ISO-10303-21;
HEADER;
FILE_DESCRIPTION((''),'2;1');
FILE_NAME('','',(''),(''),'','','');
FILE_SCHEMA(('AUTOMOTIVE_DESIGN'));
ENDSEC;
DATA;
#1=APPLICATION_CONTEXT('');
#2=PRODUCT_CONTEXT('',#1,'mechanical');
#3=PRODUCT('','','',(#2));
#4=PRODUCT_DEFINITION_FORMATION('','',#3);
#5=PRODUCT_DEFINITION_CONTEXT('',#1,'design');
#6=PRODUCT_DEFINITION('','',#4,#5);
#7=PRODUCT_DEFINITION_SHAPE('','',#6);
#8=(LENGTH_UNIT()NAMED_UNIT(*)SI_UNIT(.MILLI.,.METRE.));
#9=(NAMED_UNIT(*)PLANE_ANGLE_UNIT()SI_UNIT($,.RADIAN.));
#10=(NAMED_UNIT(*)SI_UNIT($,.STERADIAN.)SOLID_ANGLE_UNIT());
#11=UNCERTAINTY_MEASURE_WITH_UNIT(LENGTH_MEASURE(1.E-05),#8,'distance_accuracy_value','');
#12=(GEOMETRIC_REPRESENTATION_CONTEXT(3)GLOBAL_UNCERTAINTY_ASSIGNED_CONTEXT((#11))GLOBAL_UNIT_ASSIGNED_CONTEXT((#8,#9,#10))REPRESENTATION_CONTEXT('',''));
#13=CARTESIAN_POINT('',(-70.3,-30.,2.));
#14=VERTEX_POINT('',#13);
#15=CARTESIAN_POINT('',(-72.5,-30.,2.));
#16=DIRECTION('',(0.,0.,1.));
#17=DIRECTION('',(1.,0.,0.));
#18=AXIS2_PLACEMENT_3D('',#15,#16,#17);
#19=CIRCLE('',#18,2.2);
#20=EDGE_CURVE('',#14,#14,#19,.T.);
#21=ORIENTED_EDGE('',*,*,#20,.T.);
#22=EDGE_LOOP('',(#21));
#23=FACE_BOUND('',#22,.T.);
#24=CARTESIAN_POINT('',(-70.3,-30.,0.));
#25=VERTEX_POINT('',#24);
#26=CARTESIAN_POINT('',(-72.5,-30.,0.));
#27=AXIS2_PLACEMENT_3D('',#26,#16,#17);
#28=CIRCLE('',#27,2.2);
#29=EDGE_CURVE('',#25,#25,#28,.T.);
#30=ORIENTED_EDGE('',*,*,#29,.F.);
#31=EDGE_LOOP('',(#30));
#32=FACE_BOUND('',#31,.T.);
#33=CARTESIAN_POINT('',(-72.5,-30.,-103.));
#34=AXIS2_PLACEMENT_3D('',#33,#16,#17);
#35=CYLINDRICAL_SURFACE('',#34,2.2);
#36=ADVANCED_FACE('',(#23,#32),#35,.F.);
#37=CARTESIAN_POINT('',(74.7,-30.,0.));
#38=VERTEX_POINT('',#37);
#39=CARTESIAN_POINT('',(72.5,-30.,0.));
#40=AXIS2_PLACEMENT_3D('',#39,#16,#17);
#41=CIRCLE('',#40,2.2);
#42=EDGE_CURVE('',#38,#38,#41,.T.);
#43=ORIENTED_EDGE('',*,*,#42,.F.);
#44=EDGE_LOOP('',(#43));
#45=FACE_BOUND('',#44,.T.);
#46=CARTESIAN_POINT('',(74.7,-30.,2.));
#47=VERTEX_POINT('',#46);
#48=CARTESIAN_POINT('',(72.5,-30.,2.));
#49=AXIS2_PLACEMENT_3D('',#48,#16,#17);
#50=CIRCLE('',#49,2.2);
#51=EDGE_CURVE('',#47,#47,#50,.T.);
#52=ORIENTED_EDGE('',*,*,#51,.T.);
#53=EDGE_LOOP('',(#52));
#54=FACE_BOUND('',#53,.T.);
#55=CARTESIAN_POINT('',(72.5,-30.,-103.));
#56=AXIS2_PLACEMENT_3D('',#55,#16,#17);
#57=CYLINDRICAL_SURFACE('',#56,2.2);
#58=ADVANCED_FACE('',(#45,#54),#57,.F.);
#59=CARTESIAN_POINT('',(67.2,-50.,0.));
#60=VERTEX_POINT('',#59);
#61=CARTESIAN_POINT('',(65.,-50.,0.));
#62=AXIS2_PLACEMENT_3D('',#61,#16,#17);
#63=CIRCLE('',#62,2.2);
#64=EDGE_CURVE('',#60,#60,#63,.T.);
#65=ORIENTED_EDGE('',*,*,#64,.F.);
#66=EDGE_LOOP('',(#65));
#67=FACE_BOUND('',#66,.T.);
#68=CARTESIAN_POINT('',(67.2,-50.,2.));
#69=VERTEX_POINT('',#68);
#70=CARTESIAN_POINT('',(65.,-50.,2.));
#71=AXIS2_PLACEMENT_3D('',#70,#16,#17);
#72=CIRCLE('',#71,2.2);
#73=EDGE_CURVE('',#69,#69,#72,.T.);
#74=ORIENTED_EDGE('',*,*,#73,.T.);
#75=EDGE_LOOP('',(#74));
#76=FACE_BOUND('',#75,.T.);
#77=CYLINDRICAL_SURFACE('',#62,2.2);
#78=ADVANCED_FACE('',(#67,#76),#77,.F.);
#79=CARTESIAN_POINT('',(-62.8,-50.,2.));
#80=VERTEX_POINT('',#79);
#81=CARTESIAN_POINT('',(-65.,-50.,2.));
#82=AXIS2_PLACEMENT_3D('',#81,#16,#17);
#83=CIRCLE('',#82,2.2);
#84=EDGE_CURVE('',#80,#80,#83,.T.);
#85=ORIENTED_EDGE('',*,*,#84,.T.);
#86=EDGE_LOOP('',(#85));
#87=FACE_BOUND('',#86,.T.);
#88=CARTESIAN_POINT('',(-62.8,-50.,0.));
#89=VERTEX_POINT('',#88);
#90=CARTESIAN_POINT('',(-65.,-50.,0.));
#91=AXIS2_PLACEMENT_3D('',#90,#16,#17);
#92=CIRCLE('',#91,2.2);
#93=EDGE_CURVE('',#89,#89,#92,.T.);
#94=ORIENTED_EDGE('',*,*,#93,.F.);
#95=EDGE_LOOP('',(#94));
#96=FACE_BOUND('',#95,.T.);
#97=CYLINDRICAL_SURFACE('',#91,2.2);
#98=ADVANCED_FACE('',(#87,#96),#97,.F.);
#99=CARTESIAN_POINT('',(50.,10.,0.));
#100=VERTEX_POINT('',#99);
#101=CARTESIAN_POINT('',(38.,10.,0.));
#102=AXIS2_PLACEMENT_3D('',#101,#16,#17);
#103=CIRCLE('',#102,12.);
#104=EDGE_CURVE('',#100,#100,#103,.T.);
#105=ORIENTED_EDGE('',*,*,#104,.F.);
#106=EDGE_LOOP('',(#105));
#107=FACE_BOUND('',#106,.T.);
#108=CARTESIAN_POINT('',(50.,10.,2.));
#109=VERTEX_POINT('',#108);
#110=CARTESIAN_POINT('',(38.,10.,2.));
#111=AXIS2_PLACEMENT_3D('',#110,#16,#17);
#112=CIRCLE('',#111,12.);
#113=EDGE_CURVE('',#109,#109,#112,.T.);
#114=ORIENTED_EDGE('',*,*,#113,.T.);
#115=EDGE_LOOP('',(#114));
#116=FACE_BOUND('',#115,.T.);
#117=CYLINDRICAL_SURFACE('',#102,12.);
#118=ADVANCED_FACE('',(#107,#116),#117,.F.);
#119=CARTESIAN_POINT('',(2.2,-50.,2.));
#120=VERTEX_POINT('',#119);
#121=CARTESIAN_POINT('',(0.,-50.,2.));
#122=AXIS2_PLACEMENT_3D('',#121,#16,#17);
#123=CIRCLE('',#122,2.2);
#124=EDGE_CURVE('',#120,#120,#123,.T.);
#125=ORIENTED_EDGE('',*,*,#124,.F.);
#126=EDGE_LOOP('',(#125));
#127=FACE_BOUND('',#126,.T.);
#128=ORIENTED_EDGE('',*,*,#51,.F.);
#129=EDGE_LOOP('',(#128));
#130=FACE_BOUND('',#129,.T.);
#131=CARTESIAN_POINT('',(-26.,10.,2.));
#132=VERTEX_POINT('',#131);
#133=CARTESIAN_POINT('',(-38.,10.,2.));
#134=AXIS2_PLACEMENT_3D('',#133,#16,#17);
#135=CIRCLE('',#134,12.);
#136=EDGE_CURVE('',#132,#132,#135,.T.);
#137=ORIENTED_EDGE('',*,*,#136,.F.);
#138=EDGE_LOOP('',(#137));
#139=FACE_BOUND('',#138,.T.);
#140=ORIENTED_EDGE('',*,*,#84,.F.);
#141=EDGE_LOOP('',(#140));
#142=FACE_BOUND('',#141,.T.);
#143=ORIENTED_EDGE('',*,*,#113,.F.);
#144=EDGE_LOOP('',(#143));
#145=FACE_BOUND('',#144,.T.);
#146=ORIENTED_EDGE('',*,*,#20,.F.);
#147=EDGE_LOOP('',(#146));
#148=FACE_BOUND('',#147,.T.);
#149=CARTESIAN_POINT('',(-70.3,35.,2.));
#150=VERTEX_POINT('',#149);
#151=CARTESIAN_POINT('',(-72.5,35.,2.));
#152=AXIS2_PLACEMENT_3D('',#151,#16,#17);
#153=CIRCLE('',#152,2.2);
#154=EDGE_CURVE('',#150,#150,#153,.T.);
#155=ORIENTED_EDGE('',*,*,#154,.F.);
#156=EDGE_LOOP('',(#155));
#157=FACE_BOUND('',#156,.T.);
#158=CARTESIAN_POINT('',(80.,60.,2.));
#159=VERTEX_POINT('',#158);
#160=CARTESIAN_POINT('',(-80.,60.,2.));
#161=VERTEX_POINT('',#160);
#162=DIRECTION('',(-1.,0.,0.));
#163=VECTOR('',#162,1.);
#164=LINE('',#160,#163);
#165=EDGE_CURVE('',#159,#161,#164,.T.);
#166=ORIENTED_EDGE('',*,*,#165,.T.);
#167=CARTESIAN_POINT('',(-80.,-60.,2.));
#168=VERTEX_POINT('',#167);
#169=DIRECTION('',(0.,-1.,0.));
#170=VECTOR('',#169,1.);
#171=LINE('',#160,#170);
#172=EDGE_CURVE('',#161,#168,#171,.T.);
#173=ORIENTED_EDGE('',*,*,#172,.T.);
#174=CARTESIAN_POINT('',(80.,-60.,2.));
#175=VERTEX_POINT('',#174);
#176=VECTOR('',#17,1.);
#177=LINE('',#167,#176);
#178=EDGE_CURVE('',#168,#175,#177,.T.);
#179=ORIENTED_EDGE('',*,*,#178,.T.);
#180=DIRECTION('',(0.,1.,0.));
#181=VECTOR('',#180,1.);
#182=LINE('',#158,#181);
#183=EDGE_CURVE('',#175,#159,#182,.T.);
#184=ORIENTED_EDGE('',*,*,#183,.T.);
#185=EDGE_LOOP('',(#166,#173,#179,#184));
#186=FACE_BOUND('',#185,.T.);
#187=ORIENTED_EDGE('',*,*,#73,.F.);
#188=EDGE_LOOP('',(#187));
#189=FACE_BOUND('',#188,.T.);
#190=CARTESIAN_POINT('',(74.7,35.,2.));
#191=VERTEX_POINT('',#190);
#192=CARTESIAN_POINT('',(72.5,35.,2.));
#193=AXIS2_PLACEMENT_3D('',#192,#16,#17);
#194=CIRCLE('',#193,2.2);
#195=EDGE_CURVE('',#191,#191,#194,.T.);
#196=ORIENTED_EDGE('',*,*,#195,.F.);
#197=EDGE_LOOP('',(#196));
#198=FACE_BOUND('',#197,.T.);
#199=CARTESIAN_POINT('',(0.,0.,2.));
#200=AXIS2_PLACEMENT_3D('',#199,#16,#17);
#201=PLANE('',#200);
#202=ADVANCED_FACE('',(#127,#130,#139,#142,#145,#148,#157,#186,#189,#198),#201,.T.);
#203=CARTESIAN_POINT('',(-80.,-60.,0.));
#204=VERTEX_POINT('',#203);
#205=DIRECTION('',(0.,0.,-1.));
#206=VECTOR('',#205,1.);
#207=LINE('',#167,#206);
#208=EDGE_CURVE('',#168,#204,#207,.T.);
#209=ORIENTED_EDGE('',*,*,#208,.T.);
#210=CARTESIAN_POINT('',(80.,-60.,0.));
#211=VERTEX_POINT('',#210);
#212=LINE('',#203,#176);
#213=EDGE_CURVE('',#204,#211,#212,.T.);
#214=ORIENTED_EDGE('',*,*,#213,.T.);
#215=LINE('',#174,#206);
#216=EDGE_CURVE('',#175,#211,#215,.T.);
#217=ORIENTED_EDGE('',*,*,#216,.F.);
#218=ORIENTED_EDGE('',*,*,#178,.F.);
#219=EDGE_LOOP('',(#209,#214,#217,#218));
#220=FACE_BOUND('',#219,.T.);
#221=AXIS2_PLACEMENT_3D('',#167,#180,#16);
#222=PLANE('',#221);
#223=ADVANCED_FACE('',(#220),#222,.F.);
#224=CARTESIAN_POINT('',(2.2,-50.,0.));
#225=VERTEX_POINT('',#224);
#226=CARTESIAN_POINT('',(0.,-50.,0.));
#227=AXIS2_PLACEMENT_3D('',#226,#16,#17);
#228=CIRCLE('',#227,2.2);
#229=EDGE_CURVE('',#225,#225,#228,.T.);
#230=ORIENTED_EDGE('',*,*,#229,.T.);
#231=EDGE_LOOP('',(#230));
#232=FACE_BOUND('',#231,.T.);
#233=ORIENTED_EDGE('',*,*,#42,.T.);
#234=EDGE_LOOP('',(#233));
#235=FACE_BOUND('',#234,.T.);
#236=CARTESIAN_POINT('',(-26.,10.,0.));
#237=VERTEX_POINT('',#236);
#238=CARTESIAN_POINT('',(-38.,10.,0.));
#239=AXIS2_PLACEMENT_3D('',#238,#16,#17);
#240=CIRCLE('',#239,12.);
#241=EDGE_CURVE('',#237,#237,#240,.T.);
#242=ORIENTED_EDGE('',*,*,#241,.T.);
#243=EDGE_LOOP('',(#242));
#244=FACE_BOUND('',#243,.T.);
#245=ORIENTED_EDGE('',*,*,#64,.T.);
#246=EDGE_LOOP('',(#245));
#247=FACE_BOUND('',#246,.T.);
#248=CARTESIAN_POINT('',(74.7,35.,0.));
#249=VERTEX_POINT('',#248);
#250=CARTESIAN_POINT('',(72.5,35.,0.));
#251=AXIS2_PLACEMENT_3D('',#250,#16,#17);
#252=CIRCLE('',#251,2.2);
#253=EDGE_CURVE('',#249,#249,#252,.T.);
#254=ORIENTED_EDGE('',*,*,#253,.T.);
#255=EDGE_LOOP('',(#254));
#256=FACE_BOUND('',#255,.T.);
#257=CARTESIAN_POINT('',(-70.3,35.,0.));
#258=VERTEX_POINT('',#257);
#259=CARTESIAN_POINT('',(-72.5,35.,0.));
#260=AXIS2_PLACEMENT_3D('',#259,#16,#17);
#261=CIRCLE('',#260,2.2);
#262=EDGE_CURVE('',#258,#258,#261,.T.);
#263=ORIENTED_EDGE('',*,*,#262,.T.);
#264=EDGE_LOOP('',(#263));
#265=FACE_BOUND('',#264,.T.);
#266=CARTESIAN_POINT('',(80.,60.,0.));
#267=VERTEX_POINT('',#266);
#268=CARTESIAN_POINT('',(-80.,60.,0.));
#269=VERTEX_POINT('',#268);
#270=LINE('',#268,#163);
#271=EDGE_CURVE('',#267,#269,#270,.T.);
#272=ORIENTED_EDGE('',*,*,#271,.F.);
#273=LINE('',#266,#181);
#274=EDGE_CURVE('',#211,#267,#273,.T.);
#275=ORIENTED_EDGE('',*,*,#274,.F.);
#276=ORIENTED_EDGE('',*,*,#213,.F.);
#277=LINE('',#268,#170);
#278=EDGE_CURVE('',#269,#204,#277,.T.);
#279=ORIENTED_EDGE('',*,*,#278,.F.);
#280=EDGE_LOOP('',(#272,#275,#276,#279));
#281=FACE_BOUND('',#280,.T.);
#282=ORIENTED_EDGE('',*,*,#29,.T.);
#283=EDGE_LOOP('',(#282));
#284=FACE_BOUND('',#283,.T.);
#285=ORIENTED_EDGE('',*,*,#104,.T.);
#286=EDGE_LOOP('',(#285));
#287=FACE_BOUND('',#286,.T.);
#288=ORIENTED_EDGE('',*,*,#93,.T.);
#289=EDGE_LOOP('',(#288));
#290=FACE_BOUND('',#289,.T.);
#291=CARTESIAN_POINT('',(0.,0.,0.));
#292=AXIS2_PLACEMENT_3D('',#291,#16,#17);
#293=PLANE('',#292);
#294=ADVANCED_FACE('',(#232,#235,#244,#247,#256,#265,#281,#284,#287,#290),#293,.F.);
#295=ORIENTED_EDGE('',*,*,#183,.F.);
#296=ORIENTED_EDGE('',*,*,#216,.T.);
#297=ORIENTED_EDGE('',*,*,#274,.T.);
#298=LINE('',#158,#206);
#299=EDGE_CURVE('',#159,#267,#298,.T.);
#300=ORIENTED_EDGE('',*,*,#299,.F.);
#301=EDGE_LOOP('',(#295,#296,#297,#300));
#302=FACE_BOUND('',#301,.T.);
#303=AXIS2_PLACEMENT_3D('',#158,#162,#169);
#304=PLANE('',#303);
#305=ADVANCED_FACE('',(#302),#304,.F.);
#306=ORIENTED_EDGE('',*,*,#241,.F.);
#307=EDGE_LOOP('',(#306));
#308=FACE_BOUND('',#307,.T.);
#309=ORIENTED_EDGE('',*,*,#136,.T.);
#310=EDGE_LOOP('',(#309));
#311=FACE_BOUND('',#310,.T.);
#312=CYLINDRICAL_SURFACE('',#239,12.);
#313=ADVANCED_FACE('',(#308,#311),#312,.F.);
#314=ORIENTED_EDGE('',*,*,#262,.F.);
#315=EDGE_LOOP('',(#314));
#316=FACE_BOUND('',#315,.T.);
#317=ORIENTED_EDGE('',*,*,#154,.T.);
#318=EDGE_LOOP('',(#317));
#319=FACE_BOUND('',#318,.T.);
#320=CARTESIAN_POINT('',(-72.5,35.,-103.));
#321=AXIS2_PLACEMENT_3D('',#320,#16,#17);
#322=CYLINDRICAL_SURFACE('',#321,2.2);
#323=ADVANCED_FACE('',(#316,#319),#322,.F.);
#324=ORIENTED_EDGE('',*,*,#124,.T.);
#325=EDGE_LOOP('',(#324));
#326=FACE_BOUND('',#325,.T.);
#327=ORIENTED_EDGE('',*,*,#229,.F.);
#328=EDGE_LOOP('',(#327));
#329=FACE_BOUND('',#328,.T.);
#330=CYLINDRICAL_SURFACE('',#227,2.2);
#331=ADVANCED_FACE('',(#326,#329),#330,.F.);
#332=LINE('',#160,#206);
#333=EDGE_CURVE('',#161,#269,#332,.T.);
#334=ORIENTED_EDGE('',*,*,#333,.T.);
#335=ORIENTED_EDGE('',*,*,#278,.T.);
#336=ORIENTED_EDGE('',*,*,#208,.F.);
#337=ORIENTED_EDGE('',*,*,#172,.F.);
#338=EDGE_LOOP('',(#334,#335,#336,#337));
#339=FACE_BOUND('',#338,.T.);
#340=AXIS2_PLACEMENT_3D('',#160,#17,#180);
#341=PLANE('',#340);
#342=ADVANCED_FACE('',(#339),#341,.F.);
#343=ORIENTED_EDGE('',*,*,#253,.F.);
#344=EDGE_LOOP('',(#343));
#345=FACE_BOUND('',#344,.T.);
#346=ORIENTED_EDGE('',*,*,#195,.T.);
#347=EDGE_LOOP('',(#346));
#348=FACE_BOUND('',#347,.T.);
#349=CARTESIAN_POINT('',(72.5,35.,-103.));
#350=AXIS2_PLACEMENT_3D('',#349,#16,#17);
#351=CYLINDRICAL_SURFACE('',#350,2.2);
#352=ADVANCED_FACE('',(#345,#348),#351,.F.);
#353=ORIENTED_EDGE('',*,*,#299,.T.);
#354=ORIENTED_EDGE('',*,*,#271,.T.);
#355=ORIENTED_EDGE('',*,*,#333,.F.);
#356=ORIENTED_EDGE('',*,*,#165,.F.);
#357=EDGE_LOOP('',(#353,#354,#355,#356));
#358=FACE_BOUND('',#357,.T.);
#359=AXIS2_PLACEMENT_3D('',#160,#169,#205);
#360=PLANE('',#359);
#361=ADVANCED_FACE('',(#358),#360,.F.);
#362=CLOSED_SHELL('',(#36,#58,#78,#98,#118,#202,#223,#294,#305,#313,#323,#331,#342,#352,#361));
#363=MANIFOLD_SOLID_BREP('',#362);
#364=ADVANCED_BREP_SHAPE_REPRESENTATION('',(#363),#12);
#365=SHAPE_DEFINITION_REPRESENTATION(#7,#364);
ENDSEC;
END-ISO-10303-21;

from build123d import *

# Parameters (mm, degrees)
SKETCH_1_W          = 160
SKETCH_1_H          = 120
EXTRUDE_1_DEPTH     = 2
SKETCH_2_R          = 2.2
SKETCH_2_R_2        = 12
CUT_EXTRUDE_1_DEPTH = 2
SKETCH_4_R          = 2.2
CUT_EXTRUDE_2_DEPTH = 105


with BuildPart() as part:
    # ｽｹｯﾁ1 → ﾎﾞｽ - 押し出し1 (new body)
    with BuildSketch(Plane.XY):
        Rectangle(SKETCH_1_W, SKETCH_1_H)
    extrude(amount=EXTRUDE_1_DEPTH)

    # ｽｹｯﾁ2 → ｶｯﾄ - 押し出し1 (cut)
    with BuildSketch(Plane.XY.offset(2)):
        with Locations((0, -50)):
            Circle(SKETCH_2_R)
        with Locations((-65, -50)):
            Circle(SKETCH_2_R)
        with Locations((-38, 10)):
            Circle(SKETCH_2_R_2)
        with Locations((38, 10)):
            Circle(SKETCH_2_R_2)
        with Locations((65, -50)):
            Circle(SKETCH_2_R)
    extrude(amount=-CUT_EXTRUDE_1_DEPTH, mode=Mode.SUBTRACT)

    # ｽｹｯﾁ4 → ｶｯﾄ - 押し出し2 (cut)
    with BuildSketch(Plane.XY.offset(2)):
        with Locations((72.5, 35)):
            Circle(SKETCH_4_R)
        with Locations((72.5, -30)):
            Circle(SKETCH_4_R)
        with Locations((-72.5, 35)):
            Circle(SKETCH_4_R)
        with Locations((-72.5, -30)):
            Circle(SKETCH_4_R)
    extrude(amount=-CUT_EXTRUDE_2_DEPTH, mode=Mode.SUBTRACT)


solid = part.part
